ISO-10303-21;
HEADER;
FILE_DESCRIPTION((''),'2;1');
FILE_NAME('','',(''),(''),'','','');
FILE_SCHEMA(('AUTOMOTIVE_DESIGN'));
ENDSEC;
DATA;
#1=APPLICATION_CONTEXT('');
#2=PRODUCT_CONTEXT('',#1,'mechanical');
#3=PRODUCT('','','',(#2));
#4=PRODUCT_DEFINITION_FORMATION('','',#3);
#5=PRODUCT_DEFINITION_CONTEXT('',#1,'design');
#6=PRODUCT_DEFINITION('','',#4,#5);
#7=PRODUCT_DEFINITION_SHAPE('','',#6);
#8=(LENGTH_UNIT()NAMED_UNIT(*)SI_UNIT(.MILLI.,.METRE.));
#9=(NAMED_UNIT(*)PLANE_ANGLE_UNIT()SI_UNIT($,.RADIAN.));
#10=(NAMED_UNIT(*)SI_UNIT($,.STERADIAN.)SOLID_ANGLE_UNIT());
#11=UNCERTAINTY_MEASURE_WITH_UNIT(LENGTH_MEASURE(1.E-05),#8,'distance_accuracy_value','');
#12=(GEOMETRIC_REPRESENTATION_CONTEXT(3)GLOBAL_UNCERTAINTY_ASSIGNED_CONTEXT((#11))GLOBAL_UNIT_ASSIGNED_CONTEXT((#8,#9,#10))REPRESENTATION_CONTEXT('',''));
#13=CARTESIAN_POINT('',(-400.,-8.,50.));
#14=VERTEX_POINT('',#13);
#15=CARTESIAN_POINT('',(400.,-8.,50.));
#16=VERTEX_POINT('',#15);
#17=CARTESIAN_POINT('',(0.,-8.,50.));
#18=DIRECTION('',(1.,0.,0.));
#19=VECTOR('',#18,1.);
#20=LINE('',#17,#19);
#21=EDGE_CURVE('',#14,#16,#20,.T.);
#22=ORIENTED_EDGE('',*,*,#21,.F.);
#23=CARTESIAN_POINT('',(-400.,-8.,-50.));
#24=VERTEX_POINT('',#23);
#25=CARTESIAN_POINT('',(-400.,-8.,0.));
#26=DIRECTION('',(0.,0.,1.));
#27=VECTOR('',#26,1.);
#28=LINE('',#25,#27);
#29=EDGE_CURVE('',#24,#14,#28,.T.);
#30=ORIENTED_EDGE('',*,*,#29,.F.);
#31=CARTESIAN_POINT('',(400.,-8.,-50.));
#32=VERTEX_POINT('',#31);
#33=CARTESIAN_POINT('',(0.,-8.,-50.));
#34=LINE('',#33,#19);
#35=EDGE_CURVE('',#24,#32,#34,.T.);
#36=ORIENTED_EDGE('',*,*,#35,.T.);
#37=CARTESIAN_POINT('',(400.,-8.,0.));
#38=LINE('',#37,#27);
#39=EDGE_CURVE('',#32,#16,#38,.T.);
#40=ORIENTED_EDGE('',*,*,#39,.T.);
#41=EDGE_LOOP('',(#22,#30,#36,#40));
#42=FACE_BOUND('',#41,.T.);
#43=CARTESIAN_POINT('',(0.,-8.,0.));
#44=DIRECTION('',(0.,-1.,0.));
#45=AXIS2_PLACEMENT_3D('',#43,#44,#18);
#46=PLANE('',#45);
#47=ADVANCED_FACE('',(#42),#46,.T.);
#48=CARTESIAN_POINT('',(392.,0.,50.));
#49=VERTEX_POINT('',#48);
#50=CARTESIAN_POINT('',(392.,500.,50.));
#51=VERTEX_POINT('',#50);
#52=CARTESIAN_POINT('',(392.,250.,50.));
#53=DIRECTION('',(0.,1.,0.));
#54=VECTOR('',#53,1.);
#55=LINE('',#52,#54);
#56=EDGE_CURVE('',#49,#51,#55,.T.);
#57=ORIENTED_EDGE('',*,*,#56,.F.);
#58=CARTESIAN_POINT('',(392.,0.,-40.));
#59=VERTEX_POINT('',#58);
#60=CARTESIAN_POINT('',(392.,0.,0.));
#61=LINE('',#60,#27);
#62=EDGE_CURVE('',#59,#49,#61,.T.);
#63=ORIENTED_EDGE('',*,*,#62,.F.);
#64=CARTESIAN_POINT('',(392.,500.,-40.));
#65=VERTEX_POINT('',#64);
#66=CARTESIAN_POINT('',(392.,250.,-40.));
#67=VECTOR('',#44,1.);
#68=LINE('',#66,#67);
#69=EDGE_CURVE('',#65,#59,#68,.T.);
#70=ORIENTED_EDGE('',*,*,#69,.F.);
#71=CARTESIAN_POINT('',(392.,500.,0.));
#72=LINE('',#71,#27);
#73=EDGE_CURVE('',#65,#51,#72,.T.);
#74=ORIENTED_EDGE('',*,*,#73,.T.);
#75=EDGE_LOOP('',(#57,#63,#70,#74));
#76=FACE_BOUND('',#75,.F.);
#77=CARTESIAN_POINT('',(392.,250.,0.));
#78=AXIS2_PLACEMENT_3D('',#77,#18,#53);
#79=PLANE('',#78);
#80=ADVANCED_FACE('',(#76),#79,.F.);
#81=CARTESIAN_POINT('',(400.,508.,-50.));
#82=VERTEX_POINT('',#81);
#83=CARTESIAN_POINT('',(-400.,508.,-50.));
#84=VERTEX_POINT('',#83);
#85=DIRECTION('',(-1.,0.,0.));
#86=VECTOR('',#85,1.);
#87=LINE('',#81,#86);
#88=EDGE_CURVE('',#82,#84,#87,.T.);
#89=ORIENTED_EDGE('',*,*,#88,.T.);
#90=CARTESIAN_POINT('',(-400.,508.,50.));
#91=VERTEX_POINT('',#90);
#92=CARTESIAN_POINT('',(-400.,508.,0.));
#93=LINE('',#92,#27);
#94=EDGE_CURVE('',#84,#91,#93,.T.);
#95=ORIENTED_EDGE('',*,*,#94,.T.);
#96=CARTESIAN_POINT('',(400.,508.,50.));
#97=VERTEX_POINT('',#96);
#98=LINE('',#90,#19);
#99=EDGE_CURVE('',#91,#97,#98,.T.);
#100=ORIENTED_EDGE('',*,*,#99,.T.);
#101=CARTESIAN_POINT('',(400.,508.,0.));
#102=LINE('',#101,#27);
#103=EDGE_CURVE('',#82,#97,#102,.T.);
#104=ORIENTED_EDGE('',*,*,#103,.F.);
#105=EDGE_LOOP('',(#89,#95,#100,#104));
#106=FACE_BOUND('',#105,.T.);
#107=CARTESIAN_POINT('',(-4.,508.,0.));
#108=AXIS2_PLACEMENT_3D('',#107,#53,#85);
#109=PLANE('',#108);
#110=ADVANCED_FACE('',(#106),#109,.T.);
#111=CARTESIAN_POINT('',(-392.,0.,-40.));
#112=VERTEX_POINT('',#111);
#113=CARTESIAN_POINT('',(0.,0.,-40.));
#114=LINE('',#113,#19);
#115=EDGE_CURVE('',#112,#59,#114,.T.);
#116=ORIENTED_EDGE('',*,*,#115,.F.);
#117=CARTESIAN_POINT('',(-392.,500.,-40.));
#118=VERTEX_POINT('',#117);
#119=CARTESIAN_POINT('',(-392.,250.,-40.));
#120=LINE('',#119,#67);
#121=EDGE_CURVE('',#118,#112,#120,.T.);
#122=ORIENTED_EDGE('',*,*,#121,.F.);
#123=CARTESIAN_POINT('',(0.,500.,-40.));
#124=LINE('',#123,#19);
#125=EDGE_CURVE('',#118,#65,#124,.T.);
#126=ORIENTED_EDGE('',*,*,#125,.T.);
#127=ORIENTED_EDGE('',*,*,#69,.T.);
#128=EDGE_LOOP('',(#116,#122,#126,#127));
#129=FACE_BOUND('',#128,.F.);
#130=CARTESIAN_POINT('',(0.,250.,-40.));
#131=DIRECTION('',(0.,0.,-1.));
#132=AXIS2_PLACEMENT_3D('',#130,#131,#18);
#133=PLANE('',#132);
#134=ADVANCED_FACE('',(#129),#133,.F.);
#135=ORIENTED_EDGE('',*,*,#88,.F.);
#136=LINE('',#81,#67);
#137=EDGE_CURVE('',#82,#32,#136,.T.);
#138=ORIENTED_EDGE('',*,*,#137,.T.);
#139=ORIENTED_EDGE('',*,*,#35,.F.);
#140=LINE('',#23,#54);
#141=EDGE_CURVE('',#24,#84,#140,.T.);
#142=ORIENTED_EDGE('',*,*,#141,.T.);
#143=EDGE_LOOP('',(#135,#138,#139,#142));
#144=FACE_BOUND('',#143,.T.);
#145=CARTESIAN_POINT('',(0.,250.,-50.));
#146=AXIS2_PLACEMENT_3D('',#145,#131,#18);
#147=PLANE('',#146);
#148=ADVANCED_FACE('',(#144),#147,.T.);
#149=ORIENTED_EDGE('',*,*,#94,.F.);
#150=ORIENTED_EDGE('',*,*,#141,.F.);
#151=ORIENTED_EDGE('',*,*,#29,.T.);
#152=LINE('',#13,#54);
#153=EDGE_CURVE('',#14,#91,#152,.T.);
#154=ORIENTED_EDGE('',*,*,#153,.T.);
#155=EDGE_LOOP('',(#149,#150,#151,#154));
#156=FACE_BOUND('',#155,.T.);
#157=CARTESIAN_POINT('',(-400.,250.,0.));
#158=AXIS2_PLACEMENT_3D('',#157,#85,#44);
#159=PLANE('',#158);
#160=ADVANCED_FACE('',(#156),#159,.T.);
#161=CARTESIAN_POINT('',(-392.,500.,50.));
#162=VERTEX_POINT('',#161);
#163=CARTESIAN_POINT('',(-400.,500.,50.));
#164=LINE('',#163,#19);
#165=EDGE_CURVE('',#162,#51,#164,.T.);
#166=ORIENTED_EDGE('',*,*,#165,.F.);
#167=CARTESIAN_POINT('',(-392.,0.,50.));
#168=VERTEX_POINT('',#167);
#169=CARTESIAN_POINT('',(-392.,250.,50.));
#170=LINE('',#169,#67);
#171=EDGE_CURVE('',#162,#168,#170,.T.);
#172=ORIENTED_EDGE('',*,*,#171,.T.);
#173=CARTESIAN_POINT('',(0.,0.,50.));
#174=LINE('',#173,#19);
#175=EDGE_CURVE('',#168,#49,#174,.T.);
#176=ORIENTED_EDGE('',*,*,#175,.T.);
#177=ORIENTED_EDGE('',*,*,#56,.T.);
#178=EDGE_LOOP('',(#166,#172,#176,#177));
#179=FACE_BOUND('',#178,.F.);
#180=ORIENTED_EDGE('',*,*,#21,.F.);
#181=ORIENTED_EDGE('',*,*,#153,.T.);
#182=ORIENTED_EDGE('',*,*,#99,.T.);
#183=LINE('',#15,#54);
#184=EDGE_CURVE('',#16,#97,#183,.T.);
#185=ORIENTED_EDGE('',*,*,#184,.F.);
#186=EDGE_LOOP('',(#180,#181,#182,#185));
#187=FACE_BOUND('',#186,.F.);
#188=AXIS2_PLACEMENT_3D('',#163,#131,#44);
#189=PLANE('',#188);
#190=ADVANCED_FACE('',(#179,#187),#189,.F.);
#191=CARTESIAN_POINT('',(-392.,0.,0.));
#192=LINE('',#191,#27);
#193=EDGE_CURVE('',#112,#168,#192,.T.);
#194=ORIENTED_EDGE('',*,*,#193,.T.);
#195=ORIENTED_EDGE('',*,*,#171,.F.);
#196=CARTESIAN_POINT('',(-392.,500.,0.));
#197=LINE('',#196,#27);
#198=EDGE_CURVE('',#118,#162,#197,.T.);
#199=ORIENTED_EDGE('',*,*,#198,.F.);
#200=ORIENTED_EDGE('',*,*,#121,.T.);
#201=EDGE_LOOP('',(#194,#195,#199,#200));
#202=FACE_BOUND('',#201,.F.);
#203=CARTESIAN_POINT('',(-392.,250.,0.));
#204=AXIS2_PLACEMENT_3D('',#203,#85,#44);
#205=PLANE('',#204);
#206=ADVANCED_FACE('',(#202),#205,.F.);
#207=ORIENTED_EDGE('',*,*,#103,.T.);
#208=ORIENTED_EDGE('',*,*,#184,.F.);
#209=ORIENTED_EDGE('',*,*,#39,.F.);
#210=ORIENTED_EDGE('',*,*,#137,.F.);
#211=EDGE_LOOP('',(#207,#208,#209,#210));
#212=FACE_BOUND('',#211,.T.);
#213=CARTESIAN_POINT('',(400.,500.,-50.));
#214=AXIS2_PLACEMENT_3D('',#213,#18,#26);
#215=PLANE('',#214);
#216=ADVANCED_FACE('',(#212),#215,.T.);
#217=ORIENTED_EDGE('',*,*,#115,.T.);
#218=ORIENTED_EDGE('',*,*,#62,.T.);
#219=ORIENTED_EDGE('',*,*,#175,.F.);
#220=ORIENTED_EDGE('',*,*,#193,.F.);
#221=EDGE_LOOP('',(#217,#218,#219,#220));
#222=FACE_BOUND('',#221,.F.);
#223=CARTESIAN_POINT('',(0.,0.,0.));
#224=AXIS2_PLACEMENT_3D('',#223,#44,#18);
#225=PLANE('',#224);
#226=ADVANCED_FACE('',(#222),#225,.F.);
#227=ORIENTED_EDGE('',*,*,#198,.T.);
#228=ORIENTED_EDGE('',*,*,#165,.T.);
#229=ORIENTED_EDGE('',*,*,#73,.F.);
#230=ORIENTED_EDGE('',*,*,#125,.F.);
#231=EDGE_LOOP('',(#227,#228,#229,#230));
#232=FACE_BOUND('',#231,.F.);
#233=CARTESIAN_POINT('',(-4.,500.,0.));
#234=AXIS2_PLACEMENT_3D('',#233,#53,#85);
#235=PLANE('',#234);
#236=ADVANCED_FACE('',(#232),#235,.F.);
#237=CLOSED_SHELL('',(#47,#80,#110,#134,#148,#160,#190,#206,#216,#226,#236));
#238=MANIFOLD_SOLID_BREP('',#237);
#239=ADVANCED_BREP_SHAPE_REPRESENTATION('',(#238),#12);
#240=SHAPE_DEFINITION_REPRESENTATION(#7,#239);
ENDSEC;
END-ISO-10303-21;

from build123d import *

# Parameters (mm, degrees)
F0_W     = 800
F0_H     = 100
F1_DEPTH = 8
F2_W     = 500
F2_H     = 100
F3_DEPTH = 8
F4_W     = 792
F4_H     = 100
F4_W_2   = 8
F5_DEPTH = 8
F6_W     = 500
F6_H     = 100
F7_DEPTH = 8
F8_W     = 784
F8_H     = 500
F9_DEPTH = 10


with BuildPart() as f1:
    # F0 (on Front) → F1 (new body)
    with BuildSketch(Plane.XZ):
        Rectangle(F0_W, F0_H)
    extrude(amount=F1_DEPTH)

    # F2 (on face) → F3 (join)
    with BuildSketch(Plane.YZ.offset(400)):
        with Locations((250, 0)):
            Rectangle(F2_W, F2_H)
    extrude(amount=-F3_DEPTH)

    # F4 (on face) → F5 (join)
    with BuildSketch(Plane(origin=(0, 500, 0), x_dir=(-1, 0, 0), z_dir=(0, 1, 0))):
        with Locations((4, 0)):
            Rectangle(F4_W, F4_H)
        with Locations((-396, 0)):
            Rectangle(F4_W_2, F4_H)
    extrude(amount=F5_DEPTH)

    # F6 (on face) → F7 (join)
    with BuildSketch(Plane(origin=(-400, 0, 0), x_dir=(0, -1, 0), z_dir=(-1, 0, 0))):
        with Locations((-250, 0)):
            Rectangle(F6_W, F6_H)
    extrude(amount=-F7_DEPTH)

    # F8 (on face) → F9 (join)
    with BuildSketch(Plane(origin=(0, 0, -50), x_dir=(1, 0, 0), z_dir=(0, 0, -1))):
        with Locations((0, -250)):
            Rectangle(F8_W, F8_H)
    extrude(amount=-F9_DEPTH)


solid = f1.part
